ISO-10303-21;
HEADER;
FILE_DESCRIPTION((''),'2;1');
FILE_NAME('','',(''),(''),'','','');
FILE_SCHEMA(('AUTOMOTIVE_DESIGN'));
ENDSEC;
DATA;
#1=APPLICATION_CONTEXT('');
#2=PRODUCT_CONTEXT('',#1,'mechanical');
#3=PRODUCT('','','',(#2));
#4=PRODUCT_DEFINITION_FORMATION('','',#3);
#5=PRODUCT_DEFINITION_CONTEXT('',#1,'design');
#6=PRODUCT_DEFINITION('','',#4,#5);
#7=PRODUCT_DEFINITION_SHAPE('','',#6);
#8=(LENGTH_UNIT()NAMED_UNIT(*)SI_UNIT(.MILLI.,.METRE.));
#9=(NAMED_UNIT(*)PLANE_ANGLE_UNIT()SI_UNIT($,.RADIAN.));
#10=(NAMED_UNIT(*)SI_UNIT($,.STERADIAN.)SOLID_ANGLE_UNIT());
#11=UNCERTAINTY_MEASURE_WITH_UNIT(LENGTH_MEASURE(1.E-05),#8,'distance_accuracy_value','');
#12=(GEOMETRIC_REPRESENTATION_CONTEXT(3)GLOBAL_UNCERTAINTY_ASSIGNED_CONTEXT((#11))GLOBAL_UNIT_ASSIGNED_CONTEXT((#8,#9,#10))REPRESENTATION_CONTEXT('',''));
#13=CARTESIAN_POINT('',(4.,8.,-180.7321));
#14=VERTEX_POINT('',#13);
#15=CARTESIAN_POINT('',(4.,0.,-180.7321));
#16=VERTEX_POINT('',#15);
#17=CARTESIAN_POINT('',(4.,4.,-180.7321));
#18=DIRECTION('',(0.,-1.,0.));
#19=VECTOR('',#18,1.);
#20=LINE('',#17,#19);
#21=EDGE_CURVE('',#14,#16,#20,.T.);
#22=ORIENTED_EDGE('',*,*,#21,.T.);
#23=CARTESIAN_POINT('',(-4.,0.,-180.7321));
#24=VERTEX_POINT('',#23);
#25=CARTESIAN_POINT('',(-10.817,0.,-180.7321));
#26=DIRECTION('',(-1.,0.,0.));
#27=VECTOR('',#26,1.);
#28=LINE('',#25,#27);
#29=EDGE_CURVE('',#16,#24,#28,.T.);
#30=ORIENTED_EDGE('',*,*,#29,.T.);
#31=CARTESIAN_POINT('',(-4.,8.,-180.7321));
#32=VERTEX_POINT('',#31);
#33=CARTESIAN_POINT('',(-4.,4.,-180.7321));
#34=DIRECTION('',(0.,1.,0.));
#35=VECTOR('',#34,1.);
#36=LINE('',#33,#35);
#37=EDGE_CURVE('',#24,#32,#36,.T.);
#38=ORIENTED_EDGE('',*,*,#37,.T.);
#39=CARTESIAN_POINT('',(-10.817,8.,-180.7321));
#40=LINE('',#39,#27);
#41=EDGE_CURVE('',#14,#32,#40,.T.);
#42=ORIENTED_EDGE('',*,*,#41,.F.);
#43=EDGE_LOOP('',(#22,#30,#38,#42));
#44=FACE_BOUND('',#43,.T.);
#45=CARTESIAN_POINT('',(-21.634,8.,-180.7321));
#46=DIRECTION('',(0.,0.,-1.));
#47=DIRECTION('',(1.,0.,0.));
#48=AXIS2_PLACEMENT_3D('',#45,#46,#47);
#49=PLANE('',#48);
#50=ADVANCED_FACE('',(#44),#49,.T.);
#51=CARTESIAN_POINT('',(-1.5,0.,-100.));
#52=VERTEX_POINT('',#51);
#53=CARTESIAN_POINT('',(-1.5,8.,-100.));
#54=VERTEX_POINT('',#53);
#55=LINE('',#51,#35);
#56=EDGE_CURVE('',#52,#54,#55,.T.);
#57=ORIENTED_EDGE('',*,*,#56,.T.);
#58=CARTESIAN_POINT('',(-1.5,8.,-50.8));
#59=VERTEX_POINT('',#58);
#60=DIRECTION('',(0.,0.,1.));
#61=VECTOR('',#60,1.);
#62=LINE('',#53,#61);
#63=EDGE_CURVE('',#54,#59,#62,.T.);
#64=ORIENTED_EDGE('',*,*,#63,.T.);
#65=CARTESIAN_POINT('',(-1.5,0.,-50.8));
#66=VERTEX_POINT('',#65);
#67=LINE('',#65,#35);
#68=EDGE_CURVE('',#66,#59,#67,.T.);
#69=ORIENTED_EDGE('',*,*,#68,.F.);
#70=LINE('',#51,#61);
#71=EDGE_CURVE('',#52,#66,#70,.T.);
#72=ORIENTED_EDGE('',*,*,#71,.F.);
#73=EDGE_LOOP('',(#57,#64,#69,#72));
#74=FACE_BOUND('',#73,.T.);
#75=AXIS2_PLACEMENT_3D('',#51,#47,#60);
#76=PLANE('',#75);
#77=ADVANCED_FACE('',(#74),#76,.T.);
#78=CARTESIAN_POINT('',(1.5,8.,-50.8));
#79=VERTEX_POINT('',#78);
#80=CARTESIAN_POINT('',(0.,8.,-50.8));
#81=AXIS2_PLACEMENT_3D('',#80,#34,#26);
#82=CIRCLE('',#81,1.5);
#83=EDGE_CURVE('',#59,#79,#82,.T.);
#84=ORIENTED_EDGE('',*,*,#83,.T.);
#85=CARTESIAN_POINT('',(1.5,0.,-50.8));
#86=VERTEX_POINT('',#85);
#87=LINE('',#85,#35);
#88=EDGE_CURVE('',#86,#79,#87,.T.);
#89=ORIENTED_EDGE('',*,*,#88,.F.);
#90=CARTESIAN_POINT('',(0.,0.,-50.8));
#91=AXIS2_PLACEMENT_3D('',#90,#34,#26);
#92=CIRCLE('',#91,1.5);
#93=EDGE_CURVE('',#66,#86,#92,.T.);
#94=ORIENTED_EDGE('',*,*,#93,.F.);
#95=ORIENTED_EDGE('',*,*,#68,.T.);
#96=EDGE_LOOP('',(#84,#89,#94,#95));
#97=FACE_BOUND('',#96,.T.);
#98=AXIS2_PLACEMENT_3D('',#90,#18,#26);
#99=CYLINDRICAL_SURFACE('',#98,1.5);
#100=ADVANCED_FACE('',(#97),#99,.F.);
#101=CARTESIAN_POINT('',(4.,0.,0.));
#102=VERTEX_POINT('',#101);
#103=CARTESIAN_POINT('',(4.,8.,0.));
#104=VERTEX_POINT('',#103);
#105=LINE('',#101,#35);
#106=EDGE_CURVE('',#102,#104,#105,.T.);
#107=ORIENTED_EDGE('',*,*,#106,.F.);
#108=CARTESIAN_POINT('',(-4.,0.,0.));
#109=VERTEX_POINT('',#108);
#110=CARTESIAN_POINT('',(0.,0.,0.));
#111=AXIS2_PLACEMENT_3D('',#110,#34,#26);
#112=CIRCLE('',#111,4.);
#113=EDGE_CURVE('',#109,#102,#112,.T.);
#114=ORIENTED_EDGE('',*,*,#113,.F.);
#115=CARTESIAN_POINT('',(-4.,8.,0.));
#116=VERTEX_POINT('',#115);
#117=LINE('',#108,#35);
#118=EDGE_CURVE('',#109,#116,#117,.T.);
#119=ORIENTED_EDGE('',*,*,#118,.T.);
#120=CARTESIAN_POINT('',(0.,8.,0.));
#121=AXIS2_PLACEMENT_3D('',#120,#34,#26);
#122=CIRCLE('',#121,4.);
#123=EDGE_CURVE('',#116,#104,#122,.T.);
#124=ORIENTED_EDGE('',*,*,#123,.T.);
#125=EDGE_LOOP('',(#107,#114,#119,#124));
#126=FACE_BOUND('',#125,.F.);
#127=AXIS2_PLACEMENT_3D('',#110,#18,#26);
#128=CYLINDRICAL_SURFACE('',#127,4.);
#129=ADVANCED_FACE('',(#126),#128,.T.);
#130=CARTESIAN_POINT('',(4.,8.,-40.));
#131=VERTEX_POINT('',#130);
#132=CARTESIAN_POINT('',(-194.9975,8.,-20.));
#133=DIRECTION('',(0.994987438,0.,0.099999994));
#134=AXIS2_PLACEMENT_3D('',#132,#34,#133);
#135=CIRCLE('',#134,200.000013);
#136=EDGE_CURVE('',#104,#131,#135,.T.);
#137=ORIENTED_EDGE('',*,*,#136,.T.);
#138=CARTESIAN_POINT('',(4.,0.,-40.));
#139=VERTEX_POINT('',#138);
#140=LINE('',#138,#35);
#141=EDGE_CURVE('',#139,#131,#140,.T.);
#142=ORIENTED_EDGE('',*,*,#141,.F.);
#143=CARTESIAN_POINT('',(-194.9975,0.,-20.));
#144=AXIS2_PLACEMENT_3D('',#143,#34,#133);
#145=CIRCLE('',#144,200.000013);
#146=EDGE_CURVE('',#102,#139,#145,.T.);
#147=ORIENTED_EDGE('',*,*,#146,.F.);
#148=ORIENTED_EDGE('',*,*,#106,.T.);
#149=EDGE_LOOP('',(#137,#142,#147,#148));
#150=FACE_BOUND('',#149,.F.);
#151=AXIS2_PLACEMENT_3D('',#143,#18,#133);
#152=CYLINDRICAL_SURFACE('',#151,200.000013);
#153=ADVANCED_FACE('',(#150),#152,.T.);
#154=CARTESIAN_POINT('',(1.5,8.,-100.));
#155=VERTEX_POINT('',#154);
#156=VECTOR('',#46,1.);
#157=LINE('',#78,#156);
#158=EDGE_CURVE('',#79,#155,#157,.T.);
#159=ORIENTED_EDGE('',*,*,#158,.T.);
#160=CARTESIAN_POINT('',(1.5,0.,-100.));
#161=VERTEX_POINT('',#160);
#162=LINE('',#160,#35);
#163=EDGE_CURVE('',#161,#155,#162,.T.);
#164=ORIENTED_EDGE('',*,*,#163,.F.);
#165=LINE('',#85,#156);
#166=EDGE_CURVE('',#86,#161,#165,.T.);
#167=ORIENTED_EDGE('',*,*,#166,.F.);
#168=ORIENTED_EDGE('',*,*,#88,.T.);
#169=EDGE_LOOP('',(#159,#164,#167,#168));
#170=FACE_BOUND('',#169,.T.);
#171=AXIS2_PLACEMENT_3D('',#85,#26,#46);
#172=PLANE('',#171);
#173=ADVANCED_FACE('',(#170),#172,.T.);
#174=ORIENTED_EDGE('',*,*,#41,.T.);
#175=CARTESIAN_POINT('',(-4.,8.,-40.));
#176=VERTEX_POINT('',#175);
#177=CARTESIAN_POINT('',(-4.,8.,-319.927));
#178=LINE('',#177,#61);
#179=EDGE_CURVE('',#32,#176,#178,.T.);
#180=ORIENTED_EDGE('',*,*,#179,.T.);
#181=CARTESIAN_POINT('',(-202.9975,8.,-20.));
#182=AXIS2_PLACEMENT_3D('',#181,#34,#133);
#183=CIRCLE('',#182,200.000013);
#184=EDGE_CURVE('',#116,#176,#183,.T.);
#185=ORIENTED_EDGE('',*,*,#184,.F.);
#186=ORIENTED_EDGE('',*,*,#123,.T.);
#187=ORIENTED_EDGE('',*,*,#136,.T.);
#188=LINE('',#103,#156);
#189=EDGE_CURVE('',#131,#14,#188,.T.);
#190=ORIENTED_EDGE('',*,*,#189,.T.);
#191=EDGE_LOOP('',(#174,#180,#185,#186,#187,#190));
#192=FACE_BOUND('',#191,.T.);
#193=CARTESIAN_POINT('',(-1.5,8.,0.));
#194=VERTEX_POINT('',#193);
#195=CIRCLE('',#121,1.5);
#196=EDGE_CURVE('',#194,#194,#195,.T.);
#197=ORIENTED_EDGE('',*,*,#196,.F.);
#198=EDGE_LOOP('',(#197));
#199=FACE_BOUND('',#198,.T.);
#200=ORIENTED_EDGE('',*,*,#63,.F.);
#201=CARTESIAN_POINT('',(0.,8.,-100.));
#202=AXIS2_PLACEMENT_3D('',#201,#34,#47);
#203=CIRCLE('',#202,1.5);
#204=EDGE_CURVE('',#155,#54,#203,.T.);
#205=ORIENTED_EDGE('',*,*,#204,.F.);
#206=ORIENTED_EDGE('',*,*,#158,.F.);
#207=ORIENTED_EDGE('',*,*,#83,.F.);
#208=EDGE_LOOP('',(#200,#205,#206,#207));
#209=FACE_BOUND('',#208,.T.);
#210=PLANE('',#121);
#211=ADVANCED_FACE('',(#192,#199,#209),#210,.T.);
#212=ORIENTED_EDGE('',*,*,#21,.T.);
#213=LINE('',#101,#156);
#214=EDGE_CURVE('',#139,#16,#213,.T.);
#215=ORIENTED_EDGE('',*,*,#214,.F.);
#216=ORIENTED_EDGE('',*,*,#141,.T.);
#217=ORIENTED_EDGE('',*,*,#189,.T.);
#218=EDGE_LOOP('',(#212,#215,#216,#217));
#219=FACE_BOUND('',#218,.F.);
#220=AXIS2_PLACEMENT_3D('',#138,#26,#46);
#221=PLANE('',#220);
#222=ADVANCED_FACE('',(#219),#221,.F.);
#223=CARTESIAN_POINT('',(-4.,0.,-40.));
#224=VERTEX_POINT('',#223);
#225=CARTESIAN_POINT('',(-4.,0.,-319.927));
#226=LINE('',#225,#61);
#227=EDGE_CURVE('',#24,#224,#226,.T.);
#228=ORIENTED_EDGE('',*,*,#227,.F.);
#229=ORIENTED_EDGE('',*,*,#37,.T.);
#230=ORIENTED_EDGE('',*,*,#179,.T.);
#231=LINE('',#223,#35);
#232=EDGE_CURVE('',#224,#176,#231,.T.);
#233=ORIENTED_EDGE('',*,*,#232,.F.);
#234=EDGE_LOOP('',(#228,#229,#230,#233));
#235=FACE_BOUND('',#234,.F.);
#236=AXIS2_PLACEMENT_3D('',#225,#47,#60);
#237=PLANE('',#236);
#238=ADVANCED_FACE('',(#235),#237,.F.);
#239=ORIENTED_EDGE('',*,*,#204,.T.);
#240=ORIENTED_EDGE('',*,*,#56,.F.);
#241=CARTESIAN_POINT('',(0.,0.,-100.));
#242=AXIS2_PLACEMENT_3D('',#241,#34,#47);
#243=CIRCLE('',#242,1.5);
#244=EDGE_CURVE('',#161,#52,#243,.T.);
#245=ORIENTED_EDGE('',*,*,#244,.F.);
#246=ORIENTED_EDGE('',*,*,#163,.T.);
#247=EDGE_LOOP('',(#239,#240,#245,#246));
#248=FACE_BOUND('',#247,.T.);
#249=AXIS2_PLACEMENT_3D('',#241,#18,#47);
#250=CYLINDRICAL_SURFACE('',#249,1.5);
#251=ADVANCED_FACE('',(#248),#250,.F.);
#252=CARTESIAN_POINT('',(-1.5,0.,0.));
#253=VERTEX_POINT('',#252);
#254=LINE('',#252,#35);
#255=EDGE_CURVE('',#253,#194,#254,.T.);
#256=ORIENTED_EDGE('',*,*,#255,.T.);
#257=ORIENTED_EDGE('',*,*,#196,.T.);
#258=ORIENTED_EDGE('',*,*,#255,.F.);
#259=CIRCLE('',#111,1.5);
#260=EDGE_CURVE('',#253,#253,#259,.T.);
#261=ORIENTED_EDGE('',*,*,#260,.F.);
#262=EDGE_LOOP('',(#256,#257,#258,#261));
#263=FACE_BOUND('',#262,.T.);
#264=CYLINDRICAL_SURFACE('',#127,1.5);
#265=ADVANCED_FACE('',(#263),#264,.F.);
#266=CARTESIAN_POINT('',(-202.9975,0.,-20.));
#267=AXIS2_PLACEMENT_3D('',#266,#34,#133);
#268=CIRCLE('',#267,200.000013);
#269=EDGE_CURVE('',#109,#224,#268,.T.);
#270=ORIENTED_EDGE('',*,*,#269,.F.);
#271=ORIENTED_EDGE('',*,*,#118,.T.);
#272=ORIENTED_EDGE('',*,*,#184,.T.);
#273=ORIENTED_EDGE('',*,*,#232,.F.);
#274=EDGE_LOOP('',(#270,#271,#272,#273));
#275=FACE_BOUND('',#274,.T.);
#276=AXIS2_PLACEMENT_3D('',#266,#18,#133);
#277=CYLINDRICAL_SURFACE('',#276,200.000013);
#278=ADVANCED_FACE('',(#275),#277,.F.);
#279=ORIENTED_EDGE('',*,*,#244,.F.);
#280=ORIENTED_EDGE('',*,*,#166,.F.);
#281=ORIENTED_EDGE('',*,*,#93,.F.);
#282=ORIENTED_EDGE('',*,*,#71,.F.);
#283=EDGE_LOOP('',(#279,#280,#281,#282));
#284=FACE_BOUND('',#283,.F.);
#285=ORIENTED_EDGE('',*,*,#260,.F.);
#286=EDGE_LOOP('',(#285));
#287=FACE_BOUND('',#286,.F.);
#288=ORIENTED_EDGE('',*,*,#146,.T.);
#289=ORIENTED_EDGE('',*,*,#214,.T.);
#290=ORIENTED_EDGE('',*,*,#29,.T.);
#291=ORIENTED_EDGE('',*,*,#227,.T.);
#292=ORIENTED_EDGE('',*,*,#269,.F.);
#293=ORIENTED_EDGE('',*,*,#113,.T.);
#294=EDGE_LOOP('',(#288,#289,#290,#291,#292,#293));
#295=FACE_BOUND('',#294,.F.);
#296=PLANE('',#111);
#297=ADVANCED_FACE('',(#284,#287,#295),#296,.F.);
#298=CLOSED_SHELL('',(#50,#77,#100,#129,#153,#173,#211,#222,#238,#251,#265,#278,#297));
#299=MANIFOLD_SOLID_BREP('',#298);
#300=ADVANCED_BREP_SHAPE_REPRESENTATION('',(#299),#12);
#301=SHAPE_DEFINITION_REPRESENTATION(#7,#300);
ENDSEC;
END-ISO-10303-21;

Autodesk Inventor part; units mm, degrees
ref_plane "XZ Plane" through (0, 0, 0) normal (0, 1, 0) x (-1, 0, 0)
ref_plane "XY Plane" through (0, 0, 0) normal (0, 0, 1) x (1, 0, 0)
sketch "Sketch1" plane through (0, 0, 0) normal (0, 1, 0) x (-1, 0, 0)
  line L0 (0, 0) -> (0, -319.927) construction
  line L1 (-4, 0) -> (-4, -319.927)
  line L2 (4, -319.927) -> (4, 0)
  arc A0 (4, 0) -> (-4, 0) centre (0, 0) ccw
  arc A1 (-4, -319.927) -> (4, -319.927) centre (0, -319.927) ccw
  circle A2 centre (0, 0) radius 1.5
  circle A3 centre (0, -319.927) radius 1.5
  line L3 (0, -50.8) -> (0, -100) construction
  line L4 (-1.5, -50.8) -> (-1.5, -100)
  line L5 (1.5, -100) -> (1.5, -50.8)
  arc A4 (1.5, -50.8) -> (-1.5, -50.8) centre (0, -50.8) ccw
  arc A5 (-1.5, -100) -> (1.5, -100) centre (0, -100) ccw
  arc A6 (4, 0) -> (4, -40) centre (202.9975, -20) ccw
  arc A7 (-4, 0) -> (-4, -40) centre (194.9975, -20) ccw
  point P0 (0, -159.9635)
  point P1 (0, -75.4)
  dimension "d0" = 319.927
  dimension "d1" = 8
  dimension "d2" = 3
  dimension "d3" = 3
  dimension "d12" = 3
  dimension "d13" = 50.8
  dimension "d14" = 100
  dimension "d15" = 40
  dimension "d16" = 200
  dimension "d17" = 200
extrude "Extrusion1" add sketch "Sketch1" along normal blind 8 contours A0 A6 L2 A1 L1 | L1 A7
sketch "Sketch2" plane through (0, 0, 0) normal (0, -1, 0) x (1, 0, 0)
  arc A0 (4, -40) -> (4, 0) centre (-194.9975, -20) ccw projected
  arc A1 (4, 0) -> (-4, 0) centre (0, 0) ccw projected
  arc A2 (-4, -40) -> (-4, 0) centre (-202.9975, -20) ccw projected
  line L0 (-4, -319.927) -> (-4, -40) projected
  arc A3 (-4, -319.927) -> (4, -319.927) centre (0, -319.927) ccw projected
  line L1 (4, -40) -> (4, -319.927) projected
  circle A4 centre (0, 0) radius 1.5 projected
  circle A5 centre (0, -319.927) radius 1.5 projected
  arc A6 (1.5, -50.8) -> (-1.5, -50.8) centre (0, -50.8) ccw projected
  line L2 (1.5, -100) -> (1.5, -50.8) projected
  arc A7 (-1.5, -100) -> (1.5, -100) centre (0, -100) ccw projected
  line L3 (-1.5, -50.8) -> (-1.5, -100) projected
sketch "Sketch3" plane through (0, 8, 0) normal (0, 1, 0) x (1, 0, 0)
  line L0 (-21.634, 180.7321) -> (39.8396, 180.7321)
  line L1 (39.8396, 180.7321) -> (39.8396, -20.7362)
  line L2 (39.8396, -20.7362) -> (-21.634, -20.7362)
  line L3 (-21.634, -20.7362) -> (-21.634, 180.7321)
  line L4 (-50.5628, 342.9399) -> (62.0528, 342.9399)
  line L5 (62.0528, 342.9399) -> (62.0528, -55.3474)
  line L6 (62.0528, -55.3474) -> (-50.5628, -55.3474)
  line L7 (-50.5628, -55.3474) -> (-50.5628, 342.9399)
  point P0 (0, 0)
extrude "Extrusion2" cut sketch "Sketch3" along normal mid plane 20
sketch "Sketch4" plane through (0, 8, 0) normal (0, 1, 0) x (1, 0, 0)
  line L0 (4, 180.7321) -> (-4, 180.7321) projected
  line L1 (-4, 180.7321) -> (-4, 40) projected
  arc A0 (-4, 0) -> (-4, 40) centre (-202.9975, 20) ccw projected
  arc A1 (-4, 0) -> (4, 0) centre (0, 0) ccw projected
  arc A2 (4, 0) -> (4, 40) centre (-194.9975, 20) ccw projected
  line L2 (4, 40) -> (4, 180.7321) projected
  circle A3 centre (0, 0) radius 1.5 projected
  arc A4 (-1.5, 50.8) -> (1.5, 50.8) centre (0, 50.8) ccw projected
  line L3 (-1.5, 50.8) -> (-1.5, 100) projected
  arc A5 (1.5, 100) -> (-1.5, 100) centre (0, 100) ccw projected
  line L4 (1.5, 100) -> (1.5, 50.8) projected
properties part number "Part_8_p1"
